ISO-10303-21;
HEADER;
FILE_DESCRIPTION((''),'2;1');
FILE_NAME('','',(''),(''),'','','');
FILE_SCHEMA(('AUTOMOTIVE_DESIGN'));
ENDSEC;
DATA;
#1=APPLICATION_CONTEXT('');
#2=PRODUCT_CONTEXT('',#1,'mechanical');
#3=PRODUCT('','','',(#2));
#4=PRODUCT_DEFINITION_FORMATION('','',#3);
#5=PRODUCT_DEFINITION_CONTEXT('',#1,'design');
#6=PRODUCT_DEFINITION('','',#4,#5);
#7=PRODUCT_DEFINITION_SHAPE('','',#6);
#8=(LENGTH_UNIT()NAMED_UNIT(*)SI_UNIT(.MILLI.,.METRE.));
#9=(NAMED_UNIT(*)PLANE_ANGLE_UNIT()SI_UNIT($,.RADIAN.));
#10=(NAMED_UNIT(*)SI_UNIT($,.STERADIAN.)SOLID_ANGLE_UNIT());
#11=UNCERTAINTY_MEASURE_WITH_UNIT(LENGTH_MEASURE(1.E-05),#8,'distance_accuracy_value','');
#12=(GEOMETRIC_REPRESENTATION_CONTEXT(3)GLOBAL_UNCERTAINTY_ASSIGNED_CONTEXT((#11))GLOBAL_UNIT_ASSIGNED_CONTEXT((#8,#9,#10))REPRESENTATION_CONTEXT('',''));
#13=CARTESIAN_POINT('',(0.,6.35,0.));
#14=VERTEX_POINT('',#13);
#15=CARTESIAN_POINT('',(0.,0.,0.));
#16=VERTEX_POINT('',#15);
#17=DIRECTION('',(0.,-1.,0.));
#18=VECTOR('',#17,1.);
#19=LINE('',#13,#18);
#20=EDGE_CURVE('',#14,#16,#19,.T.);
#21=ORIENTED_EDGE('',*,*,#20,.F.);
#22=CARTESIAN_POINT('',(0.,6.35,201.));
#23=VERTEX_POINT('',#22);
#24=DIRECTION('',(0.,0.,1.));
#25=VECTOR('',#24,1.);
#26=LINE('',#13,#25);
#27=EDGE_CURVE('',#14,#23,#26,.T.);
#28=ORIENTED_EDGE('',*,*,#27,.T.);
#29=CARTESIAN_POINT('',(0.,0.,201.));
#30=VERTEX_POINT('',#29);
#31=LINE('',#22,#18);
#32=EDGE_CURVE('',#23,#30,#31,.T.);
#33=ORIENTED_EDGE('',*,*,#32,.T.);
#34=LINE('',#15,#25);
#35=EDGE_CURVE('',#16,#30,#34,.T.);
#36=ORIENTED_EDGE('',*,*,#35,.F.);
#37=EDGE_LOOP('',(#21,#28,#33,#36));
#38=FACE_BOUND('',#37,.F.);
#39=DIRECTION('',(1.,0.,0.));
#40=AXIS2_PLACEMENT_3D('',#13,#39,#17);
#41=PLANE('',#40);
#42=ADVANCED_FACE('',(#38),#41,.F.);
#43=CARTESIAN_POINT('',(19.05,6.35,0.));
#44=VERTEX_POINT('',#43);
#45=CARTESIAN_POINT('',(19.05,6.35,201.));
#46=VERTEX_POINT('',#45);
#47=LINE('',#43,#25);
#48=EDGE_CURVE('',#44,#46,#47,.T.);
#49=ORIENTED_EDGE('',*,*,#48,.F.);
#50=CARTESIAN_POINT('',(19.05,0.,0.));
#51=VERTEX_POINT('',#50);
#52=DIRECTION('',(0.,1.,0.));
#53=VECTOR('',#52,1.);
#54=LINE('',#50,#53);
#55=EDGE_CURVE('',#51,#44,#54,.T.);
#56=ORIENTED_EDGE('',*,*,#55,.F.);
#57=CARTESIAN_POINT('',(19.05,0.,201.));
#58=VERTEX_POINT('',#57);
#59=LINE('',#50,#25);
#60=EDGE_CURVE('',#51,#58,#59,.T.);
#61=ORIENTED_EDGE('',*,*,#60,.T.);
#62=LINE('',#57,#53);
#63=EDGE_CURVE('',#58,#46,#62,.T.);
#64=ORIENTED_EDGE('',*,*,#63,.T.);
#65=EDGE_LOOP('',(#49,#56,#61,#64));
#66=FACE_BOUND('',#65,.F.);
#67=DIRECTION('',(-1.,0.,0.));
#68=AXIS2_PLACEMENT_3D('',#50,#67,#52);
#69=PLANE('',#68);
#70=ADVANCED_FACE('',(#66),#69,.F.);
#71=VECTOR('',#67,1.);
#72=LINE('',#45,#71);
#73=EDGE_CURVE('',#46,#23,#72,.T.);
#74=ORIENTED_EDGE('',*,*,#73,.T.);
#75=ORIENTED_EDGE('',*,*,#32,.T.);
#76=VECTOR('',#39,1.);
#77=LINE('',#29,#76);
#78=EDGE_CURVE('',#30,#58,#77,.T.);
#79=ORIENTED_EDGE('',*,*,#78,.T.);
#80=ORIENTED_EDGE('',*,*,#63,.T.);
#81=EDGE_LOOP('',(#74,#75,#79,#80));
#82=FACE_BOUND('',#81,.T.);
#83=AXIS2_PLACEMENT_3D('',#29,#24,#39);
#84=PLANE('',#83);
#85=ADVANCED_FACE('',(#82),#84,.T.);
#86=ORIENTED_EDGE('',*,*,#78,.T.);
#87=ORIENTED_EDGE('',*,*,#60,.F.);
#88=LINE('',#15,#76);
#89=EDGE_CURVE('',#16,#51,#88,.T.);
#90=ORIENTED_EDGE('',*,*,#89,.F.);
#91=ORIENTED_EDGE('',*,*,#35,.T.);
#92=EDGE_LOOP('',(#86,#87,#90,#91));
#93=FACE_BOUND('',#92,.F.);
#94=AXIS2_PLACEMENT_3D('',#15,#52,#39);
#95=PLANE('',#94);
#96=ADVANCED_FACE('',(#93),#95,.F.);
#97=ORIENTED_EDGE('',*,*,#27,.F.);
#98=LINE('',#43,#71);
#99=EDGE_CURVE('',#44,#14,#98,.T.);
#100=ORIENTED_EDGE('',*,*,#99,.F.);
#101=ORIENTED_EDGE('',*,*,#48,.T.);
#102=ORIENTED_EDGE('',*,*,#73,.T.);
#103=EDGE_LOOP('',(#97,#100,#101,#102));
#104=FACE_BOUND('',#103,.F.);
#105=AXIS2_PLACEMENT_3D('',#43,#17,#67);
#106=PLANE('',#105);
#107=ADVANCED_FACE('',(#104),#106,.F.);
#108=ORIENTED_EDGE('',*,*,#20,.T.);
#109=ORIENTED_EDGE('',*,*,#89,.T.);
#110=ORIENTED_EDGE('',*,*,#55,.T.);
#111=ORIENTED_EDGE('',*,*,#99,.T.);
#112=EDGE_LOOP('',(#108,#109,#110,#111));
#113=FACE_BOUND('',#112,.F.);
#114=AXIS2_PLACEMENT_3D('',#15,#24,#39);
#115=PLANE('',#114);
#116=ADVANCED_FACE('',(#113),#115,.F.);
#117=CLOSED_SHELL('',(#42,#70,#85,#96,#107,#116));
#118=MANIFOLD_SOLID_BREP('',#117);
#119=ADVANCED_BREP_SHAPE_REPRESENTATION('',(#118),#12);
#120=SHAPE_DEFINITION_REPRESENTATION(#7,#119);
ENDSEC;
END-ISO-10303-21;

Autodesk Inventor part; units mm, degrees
ref_plane "YZ Plane" through (0, 0, 0) normal (1, 0, 0) x (0, 1, 0)
ref_plane "XZ Plane" through (0, 0, 0) normal (0, 1, 0) x (-1, 0, 0)
ref_plane "XY Plane" through (0, 0, 0) normal (0, 0, 1) x (1, 0, 0)
sketch "Sketch1" plane through (0, 0, 0) normal (0, 0, 1) x (1, 0, 0)
  line L0 (0, 0) -> (19.05, 0)
  line L1 (19.05, 0) -> (19.05, 6.35)
  line L2 (19.05, 6.35) -> (0, 6.35)
  line L3 (0, 6.35) -> (0, 0)
  dimension "d0" = 19.05
  dimension "d1" = 6.35
extrude "Extrusion1" add sketch "Sketch1" along normal blind 201
equation "\"d2\" = 1.5 * BatteryLength"
equation "\"BatteryLength\" = 134"
properties part number "Robot-Battery-Rails" material "Wood (Birch)"
